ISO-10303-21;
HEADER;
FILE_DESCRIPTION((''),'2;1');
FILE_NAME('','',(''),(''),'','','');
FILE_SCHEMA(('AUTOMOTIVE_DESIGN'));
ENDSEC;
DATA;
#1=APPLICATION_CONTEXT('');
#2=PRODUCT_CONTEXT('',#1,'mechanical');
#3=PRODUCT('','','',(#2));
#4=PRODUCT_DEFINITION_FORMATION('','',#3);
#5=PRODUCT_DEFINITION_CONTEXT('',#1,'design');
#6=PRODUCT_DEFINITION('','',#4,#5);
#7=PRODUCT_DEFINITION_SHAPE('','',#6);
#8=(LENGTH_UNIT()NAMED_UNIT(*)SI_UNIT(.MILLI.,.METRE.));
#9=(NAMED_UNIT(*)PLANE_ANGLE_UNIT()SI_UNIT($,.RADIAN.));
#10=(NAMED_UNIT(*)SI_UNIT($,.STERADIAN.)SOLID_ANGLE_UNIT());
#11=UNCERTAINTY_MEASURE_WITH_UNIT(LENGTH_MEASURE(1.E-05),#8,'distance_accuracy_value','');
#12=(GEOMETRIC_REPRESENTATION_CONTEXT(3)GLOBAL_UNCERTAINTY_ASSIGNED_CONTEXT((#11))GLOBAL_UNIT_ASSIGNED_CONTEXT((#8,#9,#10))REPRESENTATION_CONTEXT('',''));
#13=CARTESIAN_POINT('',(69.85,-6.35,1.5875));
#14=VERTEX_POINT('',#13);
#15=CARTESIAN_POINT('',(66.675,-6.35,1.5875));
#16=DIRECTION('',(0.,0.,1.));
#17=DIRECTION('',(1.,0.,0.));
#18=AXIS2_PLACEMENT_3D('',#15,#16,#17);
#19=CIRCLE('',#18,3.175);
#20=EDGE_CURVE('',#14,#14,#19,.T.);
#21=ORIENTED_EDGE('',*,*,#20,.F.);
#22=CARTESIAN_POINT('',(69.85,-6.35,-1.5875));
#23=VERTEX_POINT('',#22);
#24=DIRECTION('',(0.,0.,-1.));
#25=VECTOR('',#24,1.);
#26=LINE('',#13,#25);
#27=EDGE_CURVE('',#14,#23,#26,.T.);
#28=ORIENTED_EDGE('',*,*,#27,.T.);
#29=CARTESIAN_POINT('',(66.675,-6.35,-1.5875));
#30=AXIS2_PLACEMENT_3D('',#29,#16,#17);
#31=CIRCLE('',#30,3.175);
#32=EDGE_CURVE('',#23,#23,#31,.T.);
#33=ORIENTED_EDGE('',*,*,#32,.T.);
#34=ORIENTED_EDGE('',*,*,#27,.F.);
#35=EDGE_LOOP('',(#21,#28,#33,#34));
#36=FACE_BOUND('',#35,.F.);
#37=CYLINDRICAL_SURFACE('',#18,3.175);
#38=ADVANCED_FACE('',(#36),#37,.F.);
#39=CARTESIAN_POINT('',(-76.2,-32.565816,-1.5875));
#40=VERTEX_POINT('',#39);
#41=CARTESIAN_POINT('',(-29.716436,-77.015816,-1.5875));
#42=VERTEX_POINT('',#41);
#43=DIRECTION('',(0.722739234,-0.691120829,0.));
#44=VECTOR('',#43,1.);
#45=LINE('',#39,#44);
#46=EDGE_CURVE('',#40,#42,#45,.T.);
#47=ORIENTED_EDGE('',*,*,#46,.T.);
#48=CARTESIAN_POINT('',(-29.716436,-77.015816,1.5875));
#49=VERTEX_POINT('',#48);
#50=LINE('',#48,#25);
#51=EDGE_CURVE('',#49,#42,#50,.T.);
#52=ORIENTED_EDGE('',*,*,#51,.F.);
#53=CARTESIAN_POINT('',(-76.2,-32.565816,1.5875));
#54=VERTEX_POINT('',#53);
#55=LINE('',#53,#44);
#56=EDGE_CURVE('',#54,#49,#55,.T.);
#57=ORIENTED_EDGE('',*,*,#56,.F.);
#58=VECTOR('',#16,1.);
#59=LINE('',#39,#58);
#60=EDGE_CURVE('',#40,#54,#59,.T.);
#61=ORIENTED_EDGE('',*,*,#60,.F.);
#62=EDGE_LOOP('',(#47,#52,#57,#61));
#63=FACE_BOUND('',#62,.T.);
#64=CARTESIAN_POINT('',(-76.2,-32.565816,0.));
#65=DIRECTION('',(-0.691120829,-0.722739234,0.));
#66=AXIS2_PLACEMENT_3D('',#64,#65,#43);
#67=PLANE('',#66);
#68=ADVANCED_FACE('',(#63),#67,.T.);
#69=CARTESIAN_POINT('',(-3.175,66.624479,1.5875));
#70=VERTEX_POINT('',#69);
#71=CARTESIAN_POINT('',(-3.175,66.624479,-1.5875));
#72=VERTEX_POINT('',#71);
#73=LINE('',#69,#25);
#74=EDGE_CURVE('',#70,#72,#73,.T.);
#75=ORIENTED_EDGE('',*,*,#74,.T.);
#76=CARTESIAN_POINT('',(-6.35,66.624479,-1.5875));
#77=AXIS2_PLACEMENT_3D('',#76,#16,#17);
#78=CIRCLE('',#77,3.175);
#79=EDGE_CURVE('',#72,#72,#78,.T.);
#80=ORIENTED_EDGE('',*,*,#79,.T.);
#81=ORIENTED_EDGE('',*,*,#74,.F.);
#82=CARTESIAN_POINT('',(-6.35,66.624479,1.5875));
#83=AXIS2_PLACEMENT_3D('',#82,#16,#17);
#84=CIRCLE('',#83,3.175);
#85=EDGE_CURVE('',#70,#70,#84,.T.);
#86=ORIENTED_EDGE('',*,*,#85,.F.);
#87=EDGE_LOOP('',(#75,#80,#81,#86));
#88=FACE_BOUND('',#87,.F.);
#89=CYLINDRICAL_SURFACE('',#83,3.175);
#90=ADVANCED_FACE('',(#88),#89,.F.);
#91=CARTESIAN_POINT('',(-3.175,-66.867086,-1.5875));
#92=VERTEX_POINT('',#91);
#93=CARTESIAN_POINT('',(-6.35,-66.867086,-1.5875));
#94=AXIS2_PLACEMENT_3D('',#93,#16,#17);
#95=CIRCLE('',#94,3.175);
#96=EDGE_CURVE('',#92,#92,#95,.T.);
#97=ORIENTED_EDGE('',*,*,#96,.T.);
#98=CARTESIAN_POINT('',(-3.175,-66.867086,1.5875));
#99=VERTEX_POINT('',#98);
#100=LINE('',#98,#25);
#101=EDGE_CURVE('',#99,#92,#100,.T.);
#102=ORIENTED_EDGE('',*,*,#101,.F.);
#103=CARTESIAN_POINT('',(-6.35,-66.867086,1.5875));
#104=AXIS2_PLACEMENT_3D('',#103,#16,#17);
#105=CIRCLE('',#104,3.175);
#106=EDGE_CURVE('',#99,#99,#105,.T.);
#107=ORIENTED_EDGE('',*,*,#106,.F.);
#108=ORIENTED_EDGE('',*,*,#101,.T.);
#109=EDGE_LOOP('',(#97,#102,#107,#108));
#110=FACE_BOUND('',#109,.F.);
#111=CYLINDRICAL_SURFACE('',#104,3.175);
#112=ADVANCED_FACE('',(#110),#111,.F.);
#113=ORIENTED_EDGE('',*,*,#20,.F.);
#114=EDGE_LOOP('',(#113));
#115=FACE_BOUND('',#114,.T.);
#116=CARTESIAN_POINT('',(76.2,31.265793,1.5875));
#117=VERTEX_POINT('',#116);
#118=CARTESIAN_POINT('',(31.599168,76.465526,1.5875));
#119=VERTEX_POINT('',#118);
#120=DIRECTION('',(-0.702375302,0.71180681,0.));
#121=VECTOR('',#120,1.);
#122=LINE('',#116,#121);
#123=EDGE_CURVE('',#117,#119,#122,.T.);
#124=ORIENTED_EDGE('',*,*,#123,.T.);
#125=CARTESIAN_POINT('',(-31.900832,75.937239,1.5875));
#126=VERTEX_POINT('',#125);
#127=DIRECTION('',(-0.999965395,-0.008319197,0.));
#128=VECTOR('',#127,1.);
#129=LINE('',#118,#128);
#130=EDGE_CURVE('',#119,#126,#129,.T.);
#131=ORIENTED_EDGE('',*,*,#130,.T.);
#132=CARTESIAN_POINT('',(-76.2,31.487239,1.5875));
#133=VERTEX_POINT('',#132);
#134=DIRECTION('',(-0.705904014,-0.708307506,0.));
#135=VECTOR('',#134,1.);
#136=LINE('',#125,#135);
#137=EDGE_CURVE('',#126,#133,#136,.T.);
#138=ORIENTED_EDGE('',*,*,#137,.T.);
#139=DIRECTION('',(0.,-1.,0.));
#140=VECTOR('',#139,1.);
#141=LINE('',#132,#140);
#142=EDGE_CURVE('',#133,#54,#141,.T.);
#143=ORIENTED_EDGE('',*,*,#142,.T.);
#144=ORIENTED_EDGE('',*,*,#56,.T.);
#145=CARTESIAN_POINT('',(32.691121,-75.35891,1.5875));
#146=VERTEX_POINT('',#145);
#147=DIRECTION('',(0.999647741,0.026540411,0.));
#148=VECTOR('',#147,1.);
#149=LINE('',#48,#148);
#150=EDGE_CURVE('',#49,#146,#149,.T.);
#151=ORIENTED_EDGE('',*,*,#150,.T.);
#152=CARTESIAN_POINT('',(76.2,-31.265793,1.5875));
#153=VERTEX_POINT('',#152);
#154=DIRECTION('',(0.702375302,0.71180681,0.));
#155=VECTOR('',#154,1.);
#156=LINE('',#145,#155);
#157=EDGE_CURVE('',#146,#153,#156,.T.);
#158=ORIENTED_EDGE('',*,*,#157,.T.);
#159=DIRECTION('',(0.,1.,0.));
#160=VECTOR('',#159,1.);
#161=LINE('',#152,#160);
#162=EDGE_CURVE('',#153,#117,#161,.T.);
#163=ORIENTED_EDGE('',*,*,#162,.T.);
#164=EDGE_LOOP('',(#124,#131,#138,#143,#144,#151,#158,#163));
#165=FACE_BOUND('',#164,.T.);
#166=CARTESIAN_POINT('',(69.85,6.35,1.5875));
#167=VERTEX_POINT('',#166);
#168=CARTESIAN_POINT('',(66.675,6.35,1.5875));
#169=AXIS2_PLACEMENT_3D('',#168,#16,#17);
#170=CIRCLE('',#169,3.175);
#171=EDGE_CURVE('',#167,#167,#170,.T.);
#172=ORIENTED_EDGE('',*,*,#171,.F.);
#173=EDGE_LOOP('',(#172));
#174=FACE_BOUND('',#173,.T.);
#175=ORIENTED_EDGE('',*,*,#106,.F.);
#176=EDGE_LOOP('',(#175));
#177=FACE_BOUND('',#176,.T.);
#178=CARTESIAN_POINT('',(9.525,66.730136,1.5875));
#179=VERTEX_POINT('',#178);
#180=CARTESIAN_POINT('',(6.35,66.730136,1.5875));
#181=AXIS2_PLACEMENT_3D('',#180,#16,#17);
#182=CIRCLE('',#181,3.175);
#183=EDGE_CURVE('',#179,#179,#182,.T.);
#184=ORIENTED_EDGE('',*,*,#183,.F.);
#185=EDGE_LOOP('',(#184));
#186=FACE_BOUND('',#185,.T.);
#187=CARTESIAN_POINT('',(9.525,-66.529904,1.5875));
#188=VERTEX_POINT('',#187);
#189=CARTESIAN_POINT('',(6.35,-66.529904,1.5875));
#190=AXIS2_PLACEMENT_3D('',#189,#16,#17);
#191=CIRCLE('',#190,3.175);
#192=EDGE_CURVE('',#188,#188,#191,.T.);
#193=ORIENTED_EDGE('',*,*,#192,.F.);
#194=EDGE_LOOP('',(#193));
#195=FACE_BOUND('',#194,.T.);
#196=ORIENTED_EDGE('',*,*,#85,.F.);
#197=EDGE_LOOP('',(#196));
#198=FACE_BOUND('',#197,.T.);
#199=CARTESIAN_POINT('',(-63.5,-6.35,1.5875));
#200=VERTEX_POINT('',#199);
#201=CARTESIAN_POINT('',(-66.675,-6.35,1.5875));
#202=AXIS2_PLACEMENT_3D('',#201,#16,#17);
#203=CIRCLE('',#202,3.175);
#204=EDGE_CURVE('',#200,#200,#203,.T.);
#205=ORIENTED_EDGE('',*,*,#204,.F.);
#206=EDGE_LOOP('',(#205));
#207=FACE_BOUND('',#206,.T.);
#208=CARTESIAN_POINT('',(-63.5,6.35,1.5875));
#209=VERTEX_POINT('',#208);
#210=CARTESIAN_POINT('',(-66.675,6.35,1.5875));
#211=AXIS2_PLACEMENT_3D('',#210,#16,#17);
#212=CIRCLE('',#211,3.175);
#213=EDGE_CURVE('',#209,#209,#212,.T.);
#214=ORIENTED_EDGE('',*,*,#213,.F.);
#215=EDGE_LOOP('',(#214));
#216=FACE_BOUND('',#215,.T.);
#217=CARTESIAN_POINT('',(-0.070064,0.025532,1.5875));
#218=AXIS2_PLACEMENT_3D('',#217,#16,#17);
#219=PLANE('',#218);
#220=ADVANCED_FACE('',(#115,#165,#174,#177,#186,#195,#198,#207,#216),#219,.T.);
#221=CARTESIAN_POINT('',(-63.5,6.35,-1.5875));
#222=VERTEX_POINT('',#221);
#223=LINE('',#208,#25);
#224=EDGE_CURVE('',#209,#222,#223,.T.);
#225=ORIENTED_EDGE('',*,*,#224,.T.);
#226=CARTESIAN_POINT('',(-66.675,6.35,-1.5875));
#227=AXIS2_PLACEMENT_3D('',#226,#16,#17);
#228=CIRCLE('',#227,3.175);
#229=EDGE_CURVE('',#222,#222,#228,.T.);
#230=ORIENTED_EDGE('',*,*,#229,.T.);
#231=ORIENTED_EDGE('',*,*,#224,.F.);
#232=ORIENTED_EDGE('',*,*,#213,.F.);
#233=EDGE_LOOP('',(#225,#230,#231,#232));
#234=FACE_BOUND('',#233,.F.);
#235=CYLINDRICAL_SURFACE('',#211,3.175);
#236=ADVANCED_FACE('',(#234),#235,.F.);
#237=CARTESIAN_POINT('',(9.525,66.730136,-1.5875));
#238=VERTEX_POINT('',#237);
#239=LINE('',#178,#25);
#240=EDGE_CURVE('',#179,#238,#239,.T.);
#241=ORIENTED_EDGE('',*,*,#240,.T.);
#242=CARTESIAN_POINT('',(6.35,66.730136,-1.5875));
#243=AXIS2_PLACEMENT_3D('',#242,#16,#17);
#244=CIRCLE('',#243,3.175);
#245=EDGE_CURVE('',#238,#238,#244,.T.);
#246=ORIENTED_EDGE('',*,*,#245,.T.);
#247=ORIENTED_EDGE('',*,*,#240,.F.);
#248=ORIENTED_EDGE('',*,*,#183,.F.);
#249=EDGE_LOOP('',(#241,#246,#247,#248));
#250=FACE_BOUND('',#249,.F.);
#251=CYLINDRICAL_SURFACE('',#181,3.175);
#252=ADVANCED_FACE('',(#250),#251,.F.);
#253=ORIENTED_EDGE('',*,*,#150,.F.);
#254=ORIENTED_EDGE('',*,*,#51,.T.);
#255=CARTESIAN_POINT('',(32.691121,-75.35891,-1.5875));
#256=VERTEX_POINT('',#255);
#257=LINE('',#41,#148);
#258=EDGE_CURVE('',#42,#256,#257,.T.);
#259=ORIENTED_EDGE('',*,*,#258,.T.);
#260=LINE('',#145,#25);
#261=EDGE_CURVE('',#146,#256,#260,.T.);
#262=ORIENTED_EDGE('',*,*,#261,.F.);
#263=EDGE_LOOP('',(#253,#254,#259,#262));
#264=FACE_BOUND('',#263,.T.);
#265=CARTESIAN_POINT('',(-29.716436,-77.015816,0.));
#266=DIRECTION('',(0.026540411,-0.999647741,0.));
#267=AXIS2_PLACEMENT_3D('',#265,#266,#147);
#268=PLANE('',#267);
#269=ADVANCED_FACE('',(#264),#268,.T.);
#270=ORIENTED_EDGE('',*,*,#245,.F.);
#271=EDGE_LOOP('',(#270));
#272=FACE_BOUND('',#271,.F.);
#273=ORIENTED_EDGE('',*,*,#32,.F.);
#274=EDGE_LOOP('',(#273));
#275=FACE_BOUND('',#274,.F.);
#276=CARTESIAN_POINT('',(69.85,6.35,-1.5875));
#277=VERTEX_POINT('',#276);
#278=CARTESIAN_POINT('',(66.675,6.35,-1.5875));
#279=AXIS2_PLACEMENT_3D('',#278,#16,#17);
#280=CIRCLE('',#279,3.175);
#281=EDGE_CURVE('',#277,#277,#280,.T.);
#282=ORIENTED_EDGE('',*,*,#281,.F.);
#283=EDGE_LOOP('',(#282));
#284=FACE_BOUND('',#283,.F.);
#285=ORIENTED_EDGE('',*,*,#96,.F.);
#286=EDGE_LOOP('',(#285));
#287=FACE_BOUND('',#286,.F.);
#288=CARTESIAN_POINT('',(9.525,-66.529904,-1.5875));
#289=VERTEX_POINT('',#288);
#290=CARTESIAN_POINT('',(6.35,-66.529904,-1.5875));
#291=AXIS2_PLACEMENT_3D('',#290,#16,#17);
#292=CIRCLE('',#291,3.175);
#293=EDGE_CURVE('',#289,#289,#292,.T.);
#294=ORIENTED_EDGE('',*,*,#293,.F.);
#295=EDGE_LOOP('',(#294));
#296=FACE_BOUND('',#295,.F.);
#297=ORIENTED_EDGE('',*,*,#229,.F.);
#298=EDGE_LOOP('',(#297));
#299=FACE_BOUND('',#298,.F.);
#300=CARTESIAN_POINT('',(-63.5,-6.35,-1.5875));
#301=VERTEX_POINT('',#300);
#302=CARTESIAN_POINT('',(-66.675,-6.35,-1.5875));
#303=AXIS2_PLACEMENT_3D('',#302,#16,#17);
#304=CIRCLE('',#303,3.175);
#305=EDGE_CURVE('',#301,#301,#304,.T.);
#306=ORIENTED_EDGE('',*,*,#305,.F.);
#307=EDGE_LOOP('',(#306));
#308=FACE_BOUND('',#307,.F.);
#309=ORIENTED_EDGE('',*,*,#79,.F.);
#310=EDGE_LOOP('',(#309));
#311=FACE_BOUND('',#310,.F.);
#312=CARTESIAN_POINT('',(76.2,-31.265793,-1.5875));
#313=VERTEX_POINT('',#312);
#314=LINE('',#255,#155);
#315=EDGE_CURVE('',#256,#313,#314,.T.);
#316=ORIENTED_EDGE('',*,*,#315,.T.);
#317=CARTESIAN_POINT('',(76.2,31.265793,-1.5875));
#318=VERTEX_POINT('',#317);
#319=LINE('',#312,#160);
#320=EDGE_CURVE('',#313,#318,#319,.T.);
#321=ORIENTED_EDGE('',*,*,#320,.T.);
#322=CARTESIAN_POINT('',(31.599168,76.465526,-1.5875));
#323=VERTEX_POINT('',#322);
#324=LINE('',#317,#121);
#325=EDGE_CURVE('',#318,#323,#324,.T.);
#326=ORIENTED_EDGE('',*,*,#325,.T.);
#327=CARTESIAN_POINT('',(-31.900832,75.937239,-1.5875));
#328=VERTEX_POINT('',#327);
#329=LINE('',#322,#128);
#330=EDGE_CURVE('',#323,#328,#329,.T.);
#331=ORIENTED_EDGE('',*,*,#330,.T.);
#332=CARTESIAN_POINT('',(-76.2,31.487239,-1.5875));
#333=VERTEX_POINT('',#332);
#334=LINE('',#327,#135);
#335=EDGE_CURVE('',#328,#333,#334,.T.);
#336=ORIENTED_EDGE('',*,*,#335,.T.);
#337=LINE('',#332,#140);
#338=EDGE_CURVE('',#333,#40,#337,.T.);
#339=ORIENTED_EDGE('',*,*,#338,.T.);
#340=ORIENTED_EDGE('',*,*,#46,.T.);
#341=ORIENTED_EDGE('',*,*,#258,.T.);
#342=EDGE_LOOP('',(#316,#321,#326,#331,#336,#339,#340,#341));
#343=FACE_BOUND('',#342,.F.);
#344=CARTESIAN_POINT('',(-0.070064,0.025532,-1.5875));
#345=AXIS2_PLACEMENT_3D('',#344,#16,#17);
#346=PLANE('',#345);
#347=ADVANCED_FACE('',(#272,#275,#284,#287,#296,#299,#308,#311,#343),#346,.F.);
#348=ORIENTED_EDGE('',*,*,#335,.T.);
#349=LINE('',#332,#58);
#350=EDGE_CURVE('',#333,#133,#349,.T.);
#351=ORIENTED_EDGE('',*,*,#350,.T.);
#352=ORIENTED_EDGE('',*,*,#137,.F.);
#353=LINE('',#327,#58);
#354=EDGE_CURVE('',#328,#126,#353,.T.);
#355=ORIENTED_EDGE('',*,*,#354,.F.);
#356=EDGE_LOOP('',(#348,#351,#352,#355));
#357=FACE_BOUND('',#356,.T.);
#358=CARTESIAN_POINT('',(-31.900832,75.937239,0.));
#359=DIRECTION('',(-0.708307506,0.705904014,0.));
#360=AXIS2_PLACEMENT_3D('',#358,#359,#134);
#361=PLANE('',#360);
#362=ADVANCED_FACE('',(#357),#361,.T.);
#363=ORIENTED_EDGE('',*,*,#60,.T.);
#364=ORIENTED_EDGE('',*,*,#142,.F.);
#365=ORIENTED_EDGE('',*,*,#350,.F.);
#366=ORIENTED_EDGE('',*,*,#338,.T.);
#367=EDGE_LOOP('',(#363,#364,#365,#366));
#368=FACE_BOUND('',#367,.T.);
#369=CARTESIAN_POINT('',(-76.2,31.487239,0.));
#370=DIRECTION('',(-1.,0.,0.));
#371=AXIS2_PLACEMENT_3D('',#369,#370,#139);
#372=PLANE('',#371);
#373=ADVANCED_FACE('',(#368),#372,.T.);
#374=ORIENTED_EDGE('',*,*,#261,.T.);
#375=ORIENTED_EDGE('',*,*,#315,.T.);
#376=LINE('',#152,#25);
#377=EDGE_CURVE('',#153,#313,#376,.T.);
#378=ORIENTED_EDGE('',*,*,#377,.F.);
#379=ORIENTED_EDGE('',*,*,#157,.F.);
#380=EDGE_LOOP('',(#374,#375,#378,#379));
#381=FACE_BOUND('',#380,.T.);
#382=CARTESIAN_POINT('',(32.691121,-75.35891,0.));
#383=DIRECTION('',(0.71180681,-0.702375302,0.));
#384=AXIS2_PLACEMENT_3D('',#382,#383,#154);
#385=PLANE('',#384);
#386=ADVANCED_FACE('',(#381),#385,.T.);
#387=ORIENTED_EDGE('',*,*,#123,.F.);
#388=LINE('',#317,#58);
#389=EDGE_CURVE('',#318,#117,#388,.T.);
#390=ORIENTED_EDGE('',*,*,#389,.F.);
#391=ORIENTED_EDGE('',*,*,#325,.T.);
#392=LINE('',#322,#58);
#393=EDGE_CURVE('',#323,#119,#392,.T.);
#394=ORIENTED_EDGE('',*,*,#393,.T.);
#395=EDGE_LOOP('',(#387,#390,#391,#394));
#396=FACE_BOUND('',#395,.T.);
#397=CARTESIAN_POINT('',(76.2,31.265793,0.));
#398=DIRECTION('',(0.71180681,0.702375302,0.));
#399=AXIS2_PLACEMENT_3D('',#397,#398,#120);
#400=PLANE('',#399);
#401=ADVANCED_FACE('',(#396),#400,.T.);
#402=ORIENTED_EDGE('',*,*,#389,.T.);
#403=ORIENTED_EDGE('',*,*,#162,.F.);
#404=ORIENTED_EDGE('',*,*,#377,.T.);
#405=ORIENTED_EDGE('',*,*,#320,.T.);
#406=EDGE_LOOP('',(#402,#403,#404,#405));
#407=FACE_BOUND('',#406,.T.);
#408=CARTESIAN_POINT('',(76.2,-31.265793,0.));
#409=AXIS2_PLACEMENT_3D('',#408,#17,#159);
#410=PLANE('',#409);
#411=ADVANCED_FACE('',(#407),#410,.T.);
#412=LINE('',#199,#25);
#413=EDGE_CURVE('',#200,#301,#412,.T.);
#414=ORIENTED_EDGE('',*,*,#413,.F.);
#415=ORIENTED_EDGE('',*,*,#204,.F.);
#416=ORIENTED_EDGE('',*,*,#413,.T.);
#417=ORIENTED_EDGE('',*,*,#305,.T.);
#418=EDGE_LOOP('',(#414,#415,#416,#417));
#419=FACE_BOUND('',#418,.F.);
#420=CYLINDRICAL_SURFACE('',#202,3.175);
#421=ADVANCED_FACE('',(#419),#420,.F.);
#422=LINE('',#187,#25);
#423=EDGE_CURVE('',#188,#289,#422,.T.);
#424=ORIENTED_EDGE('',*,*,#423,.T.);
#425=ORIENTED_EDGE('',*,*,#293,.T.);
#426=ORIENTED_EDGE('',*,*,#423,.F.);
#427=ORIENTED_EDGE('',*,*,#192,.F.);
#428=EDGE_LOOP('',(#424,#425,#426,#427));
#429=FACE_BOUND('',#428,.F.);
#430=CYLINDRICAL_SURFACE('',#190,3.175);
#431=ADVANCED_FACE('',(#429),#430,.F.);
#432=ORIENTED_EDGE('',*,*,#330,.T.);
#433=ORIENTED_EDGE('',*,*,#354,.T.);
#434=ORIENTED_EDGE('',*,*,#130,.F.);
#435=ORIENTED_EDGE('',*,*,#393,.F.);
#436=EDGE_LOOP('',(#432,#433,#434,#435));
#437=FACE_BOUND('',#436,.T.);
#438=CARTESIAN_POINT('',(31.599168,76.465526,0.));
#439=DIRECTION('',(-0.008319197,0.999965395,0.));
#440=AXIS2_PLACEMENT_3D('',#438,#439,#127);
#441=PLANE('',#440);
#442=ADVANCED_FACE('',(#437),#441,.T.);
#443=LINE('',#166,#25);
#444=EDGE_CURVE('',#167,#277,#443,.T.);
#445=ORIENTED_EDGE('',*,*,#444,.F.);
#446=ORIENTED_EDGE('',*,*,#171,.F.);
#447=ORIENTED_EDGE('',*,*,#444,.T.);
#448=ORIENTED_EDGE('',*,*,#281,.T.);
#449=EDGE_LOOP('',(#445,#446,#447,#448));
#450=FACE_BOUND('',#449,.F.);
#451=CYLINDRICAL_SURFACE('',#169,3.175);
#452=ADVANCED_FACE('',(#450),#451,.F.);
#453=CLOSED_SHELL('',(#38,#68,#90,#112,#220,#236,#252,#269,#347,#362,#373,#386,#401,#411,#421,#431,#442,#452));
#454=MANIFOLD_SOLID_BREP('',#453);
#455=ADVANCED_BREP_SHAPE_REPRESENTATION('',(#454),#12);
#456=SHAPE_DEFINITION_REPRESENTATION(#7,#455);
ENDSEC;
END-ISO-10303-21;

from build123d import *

# Parameters (mm, degrees)
F1_DEPTH = 1.5875
F2_R     = 3.175
F3_DEPTH = 3.176


with BuildPart() as f1:
    # F0 (on Top) → F1 (new body, symmetric)
    with BuildSketch(Plane.XY):
        Polygon((76.2, -31.2657933708), (76.2, 31.2657933708), (31.5991683182, 76.4655258179), (-31.9008316818, 75.9372385012), (-76.2, 31.4872385012), (-76.2, -32.5658159349), (-29.7164364601, -77.0158159349), (32.6911213348, -75.3589100367), align=None)
    extrude(amount=F1_DEPTH, both=True)

    # F2 (on face) → F3 (cut, through all)
    with BuildSketch(Plane.XY.offset(1.5875)):
        with Locations((-66.675, 6.35)):
            Circle(F2_R)
        with Locations((-66.675, -6.35)):
            Circle(F2_R)
        with Locations((6.35, -66.5299041307)):
            Circle(F2_R)
        with Locations((-6.35, -66.8670861268)):
            Circle(F2_R)
        with Locations((66.675, -6.35)):
            Circle(F2_R)
        with Locations((66.675, 6.35)):
            Circle(F2_R)
        with Locations((6.35, 66.730136108)):
            Circle(F2_R)
        with Locations((-6.35, 66.6244786446)):
            Circle(F2_R)
    extrude(amount=-F3_DEPTH, mode=Mode.SUBTRACT)


solid = f1.part
